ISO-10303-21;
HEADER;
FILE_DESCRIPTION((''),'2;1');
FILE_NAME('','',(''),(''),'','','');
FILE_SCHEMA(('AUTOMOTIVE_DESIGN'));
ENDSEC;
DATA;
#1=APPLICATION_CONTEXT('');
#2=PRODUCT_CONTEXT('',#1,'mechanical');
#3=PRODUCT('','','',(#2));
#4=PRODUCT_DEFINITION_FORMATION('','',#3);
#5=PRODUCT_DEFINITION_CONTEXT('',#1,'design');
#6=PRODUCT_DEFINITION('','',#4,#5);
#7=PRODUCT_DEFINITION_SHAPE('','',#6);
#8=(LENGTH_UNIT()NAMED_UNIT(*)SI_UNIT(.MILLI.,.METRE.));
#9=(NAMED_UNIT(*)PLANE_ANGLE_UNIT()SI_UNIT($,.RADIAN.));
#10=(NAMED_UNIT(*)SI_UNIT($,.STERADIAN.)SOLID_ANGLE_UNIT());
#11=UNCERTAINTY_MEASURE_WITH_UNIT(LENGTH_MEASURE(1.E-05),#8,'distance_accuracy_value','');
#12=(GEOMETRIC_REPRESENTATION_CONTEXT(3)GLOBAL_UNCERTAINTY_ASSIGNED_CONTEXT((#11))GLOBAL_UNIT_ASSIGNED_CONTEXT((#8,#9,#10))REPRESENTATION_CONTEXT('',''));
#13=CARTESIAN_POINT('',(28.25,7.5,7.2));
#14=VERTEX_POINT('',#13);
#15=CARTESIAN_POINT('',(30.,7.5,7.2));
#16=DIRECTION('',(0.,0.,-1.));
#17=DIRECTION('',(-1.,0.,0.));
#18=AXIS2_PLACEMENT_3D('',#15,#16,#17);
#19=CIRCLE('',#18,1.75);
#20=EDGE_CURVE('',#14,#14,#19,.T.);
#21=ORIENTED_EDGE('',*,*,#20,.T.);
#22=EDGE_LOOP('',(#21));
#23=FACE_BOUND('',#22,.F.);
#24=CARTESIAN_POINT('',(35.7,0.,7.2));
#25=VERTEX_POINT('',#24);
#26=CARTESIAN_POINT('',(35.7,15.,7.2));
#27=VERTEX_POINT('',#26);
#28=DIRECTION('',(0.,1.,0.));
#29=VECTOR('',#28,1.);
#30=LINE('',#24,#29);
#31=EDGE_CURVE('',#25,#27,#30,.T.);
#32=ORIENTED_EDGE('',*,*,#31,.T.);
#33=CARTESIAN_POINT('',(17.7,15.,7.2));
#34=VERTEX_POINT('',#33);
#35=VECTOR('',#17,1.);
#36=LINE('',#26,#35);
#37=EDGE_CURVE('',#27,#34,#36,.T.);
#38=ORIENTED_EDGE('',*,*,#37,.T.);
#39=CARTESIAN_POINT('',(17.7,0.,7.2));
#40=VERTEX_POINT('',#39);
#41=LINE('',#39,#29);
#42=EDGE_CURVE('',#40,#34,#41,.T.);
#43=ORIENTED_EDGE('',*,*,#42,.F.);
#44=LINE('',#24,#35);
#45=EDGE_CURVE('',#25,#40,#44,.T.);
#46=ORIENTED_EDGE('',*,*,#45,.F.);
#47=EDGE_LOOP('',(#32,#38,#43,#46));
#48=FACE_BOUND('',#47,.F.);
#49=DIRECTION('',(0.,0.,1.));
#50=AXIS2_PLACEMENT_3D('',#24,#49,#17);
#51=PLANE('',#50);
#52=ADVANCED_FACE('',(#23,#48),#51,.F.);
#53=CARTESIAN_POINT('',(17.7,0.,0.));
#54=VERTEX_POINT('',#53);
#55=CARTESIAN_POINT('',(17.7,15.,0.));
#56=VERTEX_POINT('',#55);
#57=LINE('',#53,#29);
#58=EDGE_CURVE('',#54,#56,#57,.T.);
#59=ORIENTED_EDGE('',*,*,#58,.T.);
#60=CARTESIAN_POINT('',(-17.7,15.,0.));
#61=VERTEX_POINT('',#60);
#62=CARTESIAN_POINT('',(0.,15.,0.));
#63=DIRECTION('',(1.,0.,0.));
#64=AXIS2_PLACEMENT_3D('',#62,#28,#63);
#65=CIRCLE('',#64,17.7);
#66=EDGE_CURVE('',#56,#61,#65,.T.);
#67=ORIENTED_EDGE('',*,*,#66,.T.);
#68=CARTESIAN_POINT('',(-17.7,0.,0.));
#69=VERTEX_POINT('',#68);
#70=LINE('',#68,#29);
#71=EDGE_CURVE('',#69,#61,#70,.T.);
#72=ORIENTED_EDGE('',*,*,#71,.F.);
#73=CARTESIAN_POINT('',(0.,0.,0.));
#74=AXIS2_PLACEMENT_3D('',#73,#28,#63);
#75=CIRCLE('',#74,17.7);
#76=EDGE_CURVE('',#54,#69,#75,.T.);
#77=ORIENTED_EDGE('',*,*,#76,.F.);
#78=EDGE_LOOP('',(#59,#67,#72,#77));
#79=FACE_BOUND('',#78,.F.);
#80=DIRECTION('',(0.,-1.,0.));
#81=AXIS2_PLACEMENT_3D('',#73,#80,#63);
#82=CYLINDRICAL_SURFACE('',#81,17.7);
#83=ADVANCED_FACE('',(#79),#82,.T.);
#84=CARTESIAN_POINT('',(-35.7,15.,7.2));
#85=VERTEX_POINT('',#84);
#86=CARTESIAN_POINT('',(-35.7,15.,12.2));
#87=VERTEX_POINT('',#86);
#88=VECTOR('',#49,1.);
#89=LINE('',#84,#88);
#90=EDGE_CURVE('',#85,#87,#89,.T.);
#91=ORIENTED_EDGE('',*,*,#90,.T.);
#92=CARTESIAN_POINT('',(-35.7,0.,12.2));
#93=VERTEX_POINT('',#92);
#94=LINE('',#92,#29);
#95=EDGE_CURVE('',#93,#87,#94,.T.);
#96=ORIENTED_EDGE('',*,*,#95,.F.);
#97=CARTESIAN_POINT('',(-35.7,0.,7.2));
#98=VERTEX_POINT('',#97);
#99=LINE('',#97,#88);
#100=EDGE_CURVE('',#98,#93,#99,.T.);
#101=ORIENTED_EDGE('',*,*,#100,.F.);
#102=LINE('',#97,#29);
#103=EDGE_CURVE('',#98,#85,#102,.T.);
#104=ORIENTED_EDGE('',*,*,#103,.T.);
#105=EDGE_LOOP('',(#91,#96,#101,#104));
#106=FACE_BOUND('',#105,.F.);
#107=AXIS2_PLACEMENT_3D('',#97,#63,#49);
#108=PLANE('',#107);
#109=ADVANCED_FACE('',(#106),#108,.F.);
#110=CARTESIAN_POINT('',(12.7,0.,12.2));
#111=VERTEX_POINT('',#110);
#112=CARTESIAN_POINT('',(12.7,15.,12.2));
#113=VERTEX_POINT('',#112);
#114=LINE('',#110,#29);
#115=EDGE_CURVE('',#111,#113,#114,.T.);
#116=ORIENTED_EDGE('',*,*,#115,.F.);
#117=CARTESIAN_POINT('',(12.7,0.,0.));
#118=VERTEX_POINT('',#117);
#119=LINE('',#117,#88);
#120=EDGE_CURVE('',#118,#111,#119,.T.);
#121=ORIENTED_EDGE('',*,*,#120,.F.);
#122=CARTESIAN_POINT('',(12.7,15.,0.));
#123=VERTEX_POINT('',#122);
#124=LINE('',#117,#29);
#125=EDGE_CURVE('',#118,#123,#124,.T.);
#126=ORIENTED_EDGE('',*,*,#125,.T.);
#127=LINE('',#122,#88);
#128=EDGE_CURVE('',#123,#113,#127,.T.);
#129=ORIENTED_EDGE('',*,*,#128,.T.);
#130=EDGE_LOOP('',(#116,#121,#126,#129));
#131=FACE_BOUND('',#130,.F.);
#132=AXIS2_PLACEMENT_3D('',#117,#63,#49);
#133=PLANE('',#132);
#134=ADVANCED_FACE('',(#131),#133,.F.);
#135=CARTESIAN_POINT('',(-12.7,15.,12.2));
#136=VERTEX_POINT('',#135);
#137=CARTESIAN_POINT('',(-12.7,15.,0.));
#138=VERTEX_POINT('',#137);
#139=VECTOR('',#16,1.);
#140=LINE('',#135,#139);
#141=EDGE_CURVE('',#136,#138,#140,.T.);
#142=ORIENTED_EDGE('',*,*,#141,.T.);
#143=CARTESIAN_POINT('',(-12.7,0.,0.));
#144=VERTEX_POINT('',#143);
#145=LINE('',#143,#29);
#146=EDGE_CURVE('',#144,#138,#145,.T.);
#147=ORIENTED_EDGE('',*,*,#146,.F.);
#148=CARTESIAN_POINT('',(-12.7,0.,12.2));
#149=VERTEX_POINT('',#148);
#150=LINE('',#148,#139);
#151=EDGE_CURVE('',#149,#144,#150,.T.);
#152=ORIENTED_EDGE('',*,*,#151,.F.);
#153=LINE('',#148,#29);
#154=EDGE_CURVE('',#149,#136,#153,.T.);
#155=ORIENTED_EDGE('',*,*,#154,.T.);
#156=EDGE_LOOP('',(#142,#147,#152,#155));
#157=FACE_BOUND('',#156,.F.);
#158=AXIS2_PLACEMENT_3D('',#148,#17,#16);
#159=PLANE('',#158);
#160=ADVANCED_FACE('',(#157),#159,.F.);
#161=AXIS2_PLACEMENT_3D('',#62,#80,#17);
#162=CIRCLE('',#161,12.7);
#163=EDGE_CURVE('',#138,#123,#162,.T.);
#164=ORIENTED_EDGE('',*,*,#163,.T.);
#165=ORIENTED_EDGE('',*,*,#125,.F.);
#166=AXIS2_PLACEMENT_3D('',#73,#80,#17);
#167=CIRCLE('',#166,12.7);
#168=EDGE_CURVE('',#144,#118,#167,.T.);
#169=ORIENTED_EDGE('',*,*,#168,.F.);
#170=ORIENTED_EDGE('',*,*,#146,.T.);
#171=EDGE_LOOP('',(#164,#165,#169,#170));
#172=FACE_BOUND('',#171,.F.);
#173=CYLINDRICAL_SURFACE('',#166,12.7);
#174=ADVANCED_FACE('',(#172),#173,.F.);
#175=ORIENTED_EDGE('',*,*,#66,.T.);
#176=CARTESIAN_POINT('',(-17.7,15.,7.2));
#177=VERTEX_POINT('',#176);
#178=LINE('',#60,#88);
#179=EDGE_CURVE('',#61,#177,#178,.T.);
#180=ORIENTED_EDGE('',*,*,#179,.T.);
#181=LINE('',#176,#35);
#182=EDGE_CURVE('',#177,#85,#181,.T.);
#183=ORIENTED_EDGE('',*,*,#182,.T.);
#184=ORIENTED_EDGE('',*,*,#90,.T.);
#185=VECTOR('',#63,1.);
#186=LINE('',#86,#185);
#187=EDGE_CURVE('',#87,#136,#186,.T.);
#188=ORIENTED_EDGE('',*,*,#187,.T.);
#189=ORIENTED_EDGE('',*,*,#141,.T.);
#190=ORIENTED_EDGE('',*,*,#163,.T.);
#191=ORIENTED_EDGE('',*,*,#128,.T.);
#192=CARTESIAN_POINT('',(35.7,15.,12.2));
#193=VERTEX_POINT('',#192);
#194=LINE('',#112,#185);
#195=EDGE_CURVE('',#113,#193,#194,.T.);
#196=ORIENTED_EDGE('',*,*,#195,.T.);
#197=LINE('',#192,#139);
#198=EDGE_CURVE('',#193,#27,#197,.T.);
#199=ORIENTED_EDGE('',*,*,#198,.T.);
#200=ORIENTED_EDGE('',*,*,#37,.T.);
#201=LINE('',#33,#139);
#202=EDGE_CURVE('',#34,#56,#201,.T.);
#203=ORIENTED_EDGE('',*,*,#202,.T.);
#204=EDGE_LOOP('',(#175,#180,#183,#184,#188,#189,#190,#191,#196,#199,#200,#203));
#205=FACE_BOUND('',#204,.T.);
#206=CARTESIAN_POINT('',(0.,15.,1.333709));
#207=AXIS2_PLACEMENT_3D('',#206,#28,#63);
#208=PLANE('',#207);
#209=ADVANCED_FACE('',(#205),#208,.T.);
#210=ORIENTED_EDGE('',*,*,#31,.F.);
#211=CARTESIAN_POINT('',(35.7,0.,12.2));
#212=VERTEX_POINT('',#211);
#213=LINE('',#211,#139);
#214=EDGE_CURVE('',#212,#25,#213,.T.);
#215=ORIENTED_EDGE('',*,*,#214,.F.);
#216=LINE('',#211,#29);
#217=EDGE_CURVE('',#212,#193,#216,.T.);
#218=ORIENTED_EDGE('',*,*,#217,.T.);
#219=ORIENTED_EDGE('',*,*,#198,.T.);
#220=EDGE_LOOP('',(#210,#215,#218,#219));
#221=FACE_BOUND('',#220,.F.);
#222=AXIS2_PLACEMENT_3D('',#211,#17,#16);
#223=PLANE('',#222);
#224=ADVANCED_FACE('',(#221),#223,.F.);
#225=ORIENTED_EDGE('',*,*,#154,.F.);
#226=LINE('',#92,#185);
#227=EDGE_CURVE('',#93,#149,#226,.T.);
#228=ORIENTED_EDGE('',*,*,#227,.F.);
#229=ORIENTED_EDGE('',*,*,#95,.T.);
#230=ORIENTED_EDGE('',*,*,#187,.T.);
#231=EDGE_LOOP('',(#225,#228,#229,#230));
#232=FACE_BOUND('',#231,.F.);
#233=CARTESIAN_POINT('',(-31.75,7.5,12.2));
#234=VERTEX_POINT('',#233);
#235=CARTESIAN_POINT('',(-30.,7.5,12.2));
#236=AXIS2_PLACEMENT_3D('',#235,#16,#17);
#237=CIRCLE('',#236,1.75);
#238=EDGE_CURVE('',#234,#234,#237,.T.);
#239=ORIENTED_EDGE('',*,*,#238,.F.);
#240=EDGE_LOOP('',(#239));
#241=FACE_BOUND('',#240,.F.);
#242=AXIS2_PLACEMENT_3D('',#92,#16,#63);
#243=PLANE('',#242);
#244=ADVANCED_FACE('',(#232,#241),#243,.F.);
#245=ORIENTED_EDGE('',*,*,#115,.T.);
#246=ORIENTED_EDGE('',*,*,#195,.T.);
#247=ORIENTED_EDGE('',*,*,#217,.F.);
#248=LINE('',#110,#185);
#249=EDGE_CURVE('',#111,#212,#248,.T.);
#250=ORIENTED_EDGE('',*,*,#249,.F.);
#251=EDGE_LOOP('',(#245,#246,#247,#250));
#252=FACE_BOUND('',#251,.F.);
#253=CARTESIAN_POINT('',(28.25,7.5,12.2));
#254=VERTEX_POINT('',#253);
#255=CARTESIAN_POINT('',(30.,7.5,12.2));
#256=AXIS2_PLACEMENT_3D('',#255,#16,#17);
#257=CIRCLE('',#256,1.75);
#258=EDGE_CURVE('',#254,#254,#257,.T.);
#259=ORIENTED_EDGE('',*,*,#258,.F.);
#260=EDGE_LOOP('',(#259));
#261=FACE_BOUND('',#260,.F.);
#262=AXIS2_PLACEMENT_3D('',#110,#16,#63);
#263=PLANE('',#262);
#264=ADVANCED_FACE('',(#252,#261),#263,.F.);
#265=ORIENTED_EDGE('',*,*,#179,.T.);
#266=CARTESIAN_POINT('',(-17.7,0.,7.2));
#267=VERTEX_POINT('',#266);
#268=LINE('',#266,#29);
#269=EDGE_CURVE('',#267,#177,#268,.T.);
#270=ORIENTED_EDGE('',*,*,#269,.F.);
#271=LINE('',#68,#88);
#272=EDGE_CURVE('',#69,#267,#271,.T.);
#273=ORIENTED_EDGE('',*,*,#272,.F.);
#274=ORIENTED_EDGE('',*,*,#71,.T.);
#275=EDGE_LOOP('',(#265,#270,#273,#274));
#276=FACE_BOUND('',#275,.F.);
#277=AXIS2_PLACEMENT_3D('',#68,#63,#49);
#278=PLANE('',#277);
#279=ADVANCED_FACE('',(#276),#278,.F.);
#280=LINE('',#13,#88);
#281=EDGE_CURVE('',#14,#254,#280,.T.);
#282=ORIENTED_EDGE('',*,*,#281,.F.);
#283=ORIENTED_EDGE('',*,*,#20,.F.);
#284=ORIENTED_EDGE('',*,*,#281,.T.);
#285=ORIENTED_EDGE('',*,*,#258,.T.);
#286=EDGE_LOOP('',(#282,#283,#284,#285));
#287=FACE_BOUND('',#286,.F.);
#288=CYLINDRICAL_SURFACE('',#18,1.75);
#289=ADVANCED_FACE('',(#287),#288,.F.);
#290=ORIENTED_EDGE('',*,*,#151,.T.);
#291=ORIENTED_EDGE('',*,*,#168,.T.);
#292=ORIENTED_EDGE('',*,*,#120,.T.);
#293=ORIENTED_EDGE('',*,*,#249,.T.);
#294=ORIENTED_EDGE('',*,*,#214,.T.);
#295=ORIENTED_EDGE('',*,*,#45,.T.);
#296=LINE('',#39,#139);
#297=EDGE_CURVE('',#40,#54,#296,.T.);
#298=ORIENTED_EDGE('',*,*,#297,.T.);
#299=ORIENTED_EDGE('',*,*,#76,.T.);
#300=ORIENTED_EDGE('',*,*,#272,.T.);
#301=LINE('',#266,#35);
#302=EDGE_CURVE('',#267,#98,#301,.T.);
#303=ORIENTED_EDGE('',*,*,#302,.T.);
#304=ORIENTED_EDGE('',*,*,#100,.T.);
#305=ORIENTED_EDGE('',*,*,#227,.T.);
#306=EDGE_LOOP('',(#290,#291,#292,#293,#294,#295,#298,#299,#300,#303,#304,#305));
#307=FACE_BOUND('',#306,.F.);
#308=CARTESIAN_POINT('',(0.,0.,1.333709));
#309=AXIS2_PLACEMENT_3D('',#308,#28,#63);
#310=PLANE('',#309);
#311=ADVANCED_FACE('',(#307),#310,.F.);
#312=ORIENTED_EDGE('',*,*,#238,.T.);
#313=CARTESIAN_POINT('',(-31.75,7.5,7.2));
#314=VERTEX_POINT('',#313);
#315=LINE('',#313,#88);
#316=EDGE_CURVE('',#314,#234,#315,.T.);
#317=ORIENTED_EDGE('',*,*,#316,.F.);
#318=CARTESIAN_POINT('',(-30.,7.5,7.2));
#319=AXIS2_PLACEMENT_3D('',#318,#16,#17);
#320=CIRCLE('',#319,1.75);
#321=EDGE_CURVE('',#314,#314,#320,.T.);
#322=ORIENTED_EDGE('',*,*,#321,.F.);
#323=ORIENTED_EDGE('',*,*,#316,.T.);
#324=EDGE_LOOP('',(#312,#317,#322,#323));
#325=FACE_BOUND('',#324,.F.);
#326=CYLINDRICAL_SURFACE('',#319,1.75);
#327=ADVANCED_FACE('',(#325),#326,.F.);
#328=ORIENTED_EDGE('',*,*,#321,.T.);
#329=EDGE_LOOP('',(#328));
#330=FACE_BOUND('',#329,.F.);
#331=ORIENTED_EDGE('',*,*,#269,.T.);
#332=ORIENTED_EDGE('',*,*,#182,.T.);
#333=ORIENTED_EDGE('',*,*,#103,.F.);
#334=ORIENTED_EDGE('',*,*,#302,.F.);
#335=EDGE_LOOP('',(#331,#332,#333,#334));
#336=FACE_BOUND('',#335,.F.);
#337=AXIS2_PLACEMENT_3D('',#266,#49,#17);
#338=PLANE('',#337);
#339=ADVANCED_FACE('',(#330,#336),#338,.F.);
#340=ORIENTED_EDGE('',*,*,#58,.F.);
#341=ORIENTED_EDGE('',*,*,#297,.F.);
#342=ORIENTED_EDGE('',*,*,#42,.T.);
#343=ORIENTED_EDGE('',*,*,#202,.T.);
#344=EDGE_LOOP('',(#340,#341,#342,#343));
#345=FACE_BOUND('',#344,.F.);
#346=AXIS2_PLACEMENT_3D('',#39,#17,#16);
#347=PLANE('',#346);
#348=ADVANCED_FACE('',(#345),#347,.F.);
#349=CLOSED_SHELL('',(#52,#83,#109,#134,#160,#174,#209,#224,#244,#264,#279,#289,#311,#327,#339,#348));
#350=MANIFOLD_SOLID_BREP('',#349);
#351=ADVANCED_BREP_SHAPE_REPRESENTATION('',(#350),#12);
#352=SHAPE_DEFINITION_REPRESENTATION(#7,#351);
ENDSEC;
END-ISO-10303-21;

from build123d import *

# Parameters (mm, degrees)
BOSS_EXTRUDE1_DEPTH = 15
SKETCH2_R           = 1.75
CUT_EXTRUDE1_DEPTH  = 6


with BuildPart() as part:
    # Sketch1 → Boss-Extrude1 (new body)
    with BuildSketch(Plane(origin=(0, 0, 0), x_dir=(1, 0, 0), z_dir=(0, 1, 0))):
        with BuildLine():
            Line((-35.7, -7.2), (-35.7, -12.2))
            Line((-35.7, -12.2), (-12.7, -12.2))
            Line((-12.7, -12.2), (-12.7, 0))
            ThreePointArc((-12.7, 0), (0, 12.7), (12.7, 0))
            Line((12.7, 0), (12.7, -12.2))
            Line((12.7, -12.2), (35.7, -12.2))
            Line((35.7, -12.2), (35.7, -7.2))
            Line((35.7, -7.2), (17.7, -7.2))
            Line((17.7, -7.2), (17.7, 0))
            ThreePointArc((17.7, 0), (0, 17.7), (-17.7, 0))
            Line((-17.7, 0), (-17.7, -7.2))
            Line((-17.7, -7.2), (-35.7, -7.2))
        make_face()
    extrude(amount=BOSS_EXTRUDE1_DEPTH)

    # Sketch2 → Cut-Extrude1 (cut, through all)
    with BuildSketch(Plane(origin=(0, 0, 7.2), x_dir=(-1, 0, 0), z_dir=(0, 0, -1))):
        with Locations((-30, 7.5)):
            Circle(SKETCH2_R)
        with Locations((30, 7.5)):
            Circle(SKETCH2_R)
    extrude(amount=-CUT_EXTRUDE1_DEPTH, mode=Mode.SUBTRACT)


solid = part.part
